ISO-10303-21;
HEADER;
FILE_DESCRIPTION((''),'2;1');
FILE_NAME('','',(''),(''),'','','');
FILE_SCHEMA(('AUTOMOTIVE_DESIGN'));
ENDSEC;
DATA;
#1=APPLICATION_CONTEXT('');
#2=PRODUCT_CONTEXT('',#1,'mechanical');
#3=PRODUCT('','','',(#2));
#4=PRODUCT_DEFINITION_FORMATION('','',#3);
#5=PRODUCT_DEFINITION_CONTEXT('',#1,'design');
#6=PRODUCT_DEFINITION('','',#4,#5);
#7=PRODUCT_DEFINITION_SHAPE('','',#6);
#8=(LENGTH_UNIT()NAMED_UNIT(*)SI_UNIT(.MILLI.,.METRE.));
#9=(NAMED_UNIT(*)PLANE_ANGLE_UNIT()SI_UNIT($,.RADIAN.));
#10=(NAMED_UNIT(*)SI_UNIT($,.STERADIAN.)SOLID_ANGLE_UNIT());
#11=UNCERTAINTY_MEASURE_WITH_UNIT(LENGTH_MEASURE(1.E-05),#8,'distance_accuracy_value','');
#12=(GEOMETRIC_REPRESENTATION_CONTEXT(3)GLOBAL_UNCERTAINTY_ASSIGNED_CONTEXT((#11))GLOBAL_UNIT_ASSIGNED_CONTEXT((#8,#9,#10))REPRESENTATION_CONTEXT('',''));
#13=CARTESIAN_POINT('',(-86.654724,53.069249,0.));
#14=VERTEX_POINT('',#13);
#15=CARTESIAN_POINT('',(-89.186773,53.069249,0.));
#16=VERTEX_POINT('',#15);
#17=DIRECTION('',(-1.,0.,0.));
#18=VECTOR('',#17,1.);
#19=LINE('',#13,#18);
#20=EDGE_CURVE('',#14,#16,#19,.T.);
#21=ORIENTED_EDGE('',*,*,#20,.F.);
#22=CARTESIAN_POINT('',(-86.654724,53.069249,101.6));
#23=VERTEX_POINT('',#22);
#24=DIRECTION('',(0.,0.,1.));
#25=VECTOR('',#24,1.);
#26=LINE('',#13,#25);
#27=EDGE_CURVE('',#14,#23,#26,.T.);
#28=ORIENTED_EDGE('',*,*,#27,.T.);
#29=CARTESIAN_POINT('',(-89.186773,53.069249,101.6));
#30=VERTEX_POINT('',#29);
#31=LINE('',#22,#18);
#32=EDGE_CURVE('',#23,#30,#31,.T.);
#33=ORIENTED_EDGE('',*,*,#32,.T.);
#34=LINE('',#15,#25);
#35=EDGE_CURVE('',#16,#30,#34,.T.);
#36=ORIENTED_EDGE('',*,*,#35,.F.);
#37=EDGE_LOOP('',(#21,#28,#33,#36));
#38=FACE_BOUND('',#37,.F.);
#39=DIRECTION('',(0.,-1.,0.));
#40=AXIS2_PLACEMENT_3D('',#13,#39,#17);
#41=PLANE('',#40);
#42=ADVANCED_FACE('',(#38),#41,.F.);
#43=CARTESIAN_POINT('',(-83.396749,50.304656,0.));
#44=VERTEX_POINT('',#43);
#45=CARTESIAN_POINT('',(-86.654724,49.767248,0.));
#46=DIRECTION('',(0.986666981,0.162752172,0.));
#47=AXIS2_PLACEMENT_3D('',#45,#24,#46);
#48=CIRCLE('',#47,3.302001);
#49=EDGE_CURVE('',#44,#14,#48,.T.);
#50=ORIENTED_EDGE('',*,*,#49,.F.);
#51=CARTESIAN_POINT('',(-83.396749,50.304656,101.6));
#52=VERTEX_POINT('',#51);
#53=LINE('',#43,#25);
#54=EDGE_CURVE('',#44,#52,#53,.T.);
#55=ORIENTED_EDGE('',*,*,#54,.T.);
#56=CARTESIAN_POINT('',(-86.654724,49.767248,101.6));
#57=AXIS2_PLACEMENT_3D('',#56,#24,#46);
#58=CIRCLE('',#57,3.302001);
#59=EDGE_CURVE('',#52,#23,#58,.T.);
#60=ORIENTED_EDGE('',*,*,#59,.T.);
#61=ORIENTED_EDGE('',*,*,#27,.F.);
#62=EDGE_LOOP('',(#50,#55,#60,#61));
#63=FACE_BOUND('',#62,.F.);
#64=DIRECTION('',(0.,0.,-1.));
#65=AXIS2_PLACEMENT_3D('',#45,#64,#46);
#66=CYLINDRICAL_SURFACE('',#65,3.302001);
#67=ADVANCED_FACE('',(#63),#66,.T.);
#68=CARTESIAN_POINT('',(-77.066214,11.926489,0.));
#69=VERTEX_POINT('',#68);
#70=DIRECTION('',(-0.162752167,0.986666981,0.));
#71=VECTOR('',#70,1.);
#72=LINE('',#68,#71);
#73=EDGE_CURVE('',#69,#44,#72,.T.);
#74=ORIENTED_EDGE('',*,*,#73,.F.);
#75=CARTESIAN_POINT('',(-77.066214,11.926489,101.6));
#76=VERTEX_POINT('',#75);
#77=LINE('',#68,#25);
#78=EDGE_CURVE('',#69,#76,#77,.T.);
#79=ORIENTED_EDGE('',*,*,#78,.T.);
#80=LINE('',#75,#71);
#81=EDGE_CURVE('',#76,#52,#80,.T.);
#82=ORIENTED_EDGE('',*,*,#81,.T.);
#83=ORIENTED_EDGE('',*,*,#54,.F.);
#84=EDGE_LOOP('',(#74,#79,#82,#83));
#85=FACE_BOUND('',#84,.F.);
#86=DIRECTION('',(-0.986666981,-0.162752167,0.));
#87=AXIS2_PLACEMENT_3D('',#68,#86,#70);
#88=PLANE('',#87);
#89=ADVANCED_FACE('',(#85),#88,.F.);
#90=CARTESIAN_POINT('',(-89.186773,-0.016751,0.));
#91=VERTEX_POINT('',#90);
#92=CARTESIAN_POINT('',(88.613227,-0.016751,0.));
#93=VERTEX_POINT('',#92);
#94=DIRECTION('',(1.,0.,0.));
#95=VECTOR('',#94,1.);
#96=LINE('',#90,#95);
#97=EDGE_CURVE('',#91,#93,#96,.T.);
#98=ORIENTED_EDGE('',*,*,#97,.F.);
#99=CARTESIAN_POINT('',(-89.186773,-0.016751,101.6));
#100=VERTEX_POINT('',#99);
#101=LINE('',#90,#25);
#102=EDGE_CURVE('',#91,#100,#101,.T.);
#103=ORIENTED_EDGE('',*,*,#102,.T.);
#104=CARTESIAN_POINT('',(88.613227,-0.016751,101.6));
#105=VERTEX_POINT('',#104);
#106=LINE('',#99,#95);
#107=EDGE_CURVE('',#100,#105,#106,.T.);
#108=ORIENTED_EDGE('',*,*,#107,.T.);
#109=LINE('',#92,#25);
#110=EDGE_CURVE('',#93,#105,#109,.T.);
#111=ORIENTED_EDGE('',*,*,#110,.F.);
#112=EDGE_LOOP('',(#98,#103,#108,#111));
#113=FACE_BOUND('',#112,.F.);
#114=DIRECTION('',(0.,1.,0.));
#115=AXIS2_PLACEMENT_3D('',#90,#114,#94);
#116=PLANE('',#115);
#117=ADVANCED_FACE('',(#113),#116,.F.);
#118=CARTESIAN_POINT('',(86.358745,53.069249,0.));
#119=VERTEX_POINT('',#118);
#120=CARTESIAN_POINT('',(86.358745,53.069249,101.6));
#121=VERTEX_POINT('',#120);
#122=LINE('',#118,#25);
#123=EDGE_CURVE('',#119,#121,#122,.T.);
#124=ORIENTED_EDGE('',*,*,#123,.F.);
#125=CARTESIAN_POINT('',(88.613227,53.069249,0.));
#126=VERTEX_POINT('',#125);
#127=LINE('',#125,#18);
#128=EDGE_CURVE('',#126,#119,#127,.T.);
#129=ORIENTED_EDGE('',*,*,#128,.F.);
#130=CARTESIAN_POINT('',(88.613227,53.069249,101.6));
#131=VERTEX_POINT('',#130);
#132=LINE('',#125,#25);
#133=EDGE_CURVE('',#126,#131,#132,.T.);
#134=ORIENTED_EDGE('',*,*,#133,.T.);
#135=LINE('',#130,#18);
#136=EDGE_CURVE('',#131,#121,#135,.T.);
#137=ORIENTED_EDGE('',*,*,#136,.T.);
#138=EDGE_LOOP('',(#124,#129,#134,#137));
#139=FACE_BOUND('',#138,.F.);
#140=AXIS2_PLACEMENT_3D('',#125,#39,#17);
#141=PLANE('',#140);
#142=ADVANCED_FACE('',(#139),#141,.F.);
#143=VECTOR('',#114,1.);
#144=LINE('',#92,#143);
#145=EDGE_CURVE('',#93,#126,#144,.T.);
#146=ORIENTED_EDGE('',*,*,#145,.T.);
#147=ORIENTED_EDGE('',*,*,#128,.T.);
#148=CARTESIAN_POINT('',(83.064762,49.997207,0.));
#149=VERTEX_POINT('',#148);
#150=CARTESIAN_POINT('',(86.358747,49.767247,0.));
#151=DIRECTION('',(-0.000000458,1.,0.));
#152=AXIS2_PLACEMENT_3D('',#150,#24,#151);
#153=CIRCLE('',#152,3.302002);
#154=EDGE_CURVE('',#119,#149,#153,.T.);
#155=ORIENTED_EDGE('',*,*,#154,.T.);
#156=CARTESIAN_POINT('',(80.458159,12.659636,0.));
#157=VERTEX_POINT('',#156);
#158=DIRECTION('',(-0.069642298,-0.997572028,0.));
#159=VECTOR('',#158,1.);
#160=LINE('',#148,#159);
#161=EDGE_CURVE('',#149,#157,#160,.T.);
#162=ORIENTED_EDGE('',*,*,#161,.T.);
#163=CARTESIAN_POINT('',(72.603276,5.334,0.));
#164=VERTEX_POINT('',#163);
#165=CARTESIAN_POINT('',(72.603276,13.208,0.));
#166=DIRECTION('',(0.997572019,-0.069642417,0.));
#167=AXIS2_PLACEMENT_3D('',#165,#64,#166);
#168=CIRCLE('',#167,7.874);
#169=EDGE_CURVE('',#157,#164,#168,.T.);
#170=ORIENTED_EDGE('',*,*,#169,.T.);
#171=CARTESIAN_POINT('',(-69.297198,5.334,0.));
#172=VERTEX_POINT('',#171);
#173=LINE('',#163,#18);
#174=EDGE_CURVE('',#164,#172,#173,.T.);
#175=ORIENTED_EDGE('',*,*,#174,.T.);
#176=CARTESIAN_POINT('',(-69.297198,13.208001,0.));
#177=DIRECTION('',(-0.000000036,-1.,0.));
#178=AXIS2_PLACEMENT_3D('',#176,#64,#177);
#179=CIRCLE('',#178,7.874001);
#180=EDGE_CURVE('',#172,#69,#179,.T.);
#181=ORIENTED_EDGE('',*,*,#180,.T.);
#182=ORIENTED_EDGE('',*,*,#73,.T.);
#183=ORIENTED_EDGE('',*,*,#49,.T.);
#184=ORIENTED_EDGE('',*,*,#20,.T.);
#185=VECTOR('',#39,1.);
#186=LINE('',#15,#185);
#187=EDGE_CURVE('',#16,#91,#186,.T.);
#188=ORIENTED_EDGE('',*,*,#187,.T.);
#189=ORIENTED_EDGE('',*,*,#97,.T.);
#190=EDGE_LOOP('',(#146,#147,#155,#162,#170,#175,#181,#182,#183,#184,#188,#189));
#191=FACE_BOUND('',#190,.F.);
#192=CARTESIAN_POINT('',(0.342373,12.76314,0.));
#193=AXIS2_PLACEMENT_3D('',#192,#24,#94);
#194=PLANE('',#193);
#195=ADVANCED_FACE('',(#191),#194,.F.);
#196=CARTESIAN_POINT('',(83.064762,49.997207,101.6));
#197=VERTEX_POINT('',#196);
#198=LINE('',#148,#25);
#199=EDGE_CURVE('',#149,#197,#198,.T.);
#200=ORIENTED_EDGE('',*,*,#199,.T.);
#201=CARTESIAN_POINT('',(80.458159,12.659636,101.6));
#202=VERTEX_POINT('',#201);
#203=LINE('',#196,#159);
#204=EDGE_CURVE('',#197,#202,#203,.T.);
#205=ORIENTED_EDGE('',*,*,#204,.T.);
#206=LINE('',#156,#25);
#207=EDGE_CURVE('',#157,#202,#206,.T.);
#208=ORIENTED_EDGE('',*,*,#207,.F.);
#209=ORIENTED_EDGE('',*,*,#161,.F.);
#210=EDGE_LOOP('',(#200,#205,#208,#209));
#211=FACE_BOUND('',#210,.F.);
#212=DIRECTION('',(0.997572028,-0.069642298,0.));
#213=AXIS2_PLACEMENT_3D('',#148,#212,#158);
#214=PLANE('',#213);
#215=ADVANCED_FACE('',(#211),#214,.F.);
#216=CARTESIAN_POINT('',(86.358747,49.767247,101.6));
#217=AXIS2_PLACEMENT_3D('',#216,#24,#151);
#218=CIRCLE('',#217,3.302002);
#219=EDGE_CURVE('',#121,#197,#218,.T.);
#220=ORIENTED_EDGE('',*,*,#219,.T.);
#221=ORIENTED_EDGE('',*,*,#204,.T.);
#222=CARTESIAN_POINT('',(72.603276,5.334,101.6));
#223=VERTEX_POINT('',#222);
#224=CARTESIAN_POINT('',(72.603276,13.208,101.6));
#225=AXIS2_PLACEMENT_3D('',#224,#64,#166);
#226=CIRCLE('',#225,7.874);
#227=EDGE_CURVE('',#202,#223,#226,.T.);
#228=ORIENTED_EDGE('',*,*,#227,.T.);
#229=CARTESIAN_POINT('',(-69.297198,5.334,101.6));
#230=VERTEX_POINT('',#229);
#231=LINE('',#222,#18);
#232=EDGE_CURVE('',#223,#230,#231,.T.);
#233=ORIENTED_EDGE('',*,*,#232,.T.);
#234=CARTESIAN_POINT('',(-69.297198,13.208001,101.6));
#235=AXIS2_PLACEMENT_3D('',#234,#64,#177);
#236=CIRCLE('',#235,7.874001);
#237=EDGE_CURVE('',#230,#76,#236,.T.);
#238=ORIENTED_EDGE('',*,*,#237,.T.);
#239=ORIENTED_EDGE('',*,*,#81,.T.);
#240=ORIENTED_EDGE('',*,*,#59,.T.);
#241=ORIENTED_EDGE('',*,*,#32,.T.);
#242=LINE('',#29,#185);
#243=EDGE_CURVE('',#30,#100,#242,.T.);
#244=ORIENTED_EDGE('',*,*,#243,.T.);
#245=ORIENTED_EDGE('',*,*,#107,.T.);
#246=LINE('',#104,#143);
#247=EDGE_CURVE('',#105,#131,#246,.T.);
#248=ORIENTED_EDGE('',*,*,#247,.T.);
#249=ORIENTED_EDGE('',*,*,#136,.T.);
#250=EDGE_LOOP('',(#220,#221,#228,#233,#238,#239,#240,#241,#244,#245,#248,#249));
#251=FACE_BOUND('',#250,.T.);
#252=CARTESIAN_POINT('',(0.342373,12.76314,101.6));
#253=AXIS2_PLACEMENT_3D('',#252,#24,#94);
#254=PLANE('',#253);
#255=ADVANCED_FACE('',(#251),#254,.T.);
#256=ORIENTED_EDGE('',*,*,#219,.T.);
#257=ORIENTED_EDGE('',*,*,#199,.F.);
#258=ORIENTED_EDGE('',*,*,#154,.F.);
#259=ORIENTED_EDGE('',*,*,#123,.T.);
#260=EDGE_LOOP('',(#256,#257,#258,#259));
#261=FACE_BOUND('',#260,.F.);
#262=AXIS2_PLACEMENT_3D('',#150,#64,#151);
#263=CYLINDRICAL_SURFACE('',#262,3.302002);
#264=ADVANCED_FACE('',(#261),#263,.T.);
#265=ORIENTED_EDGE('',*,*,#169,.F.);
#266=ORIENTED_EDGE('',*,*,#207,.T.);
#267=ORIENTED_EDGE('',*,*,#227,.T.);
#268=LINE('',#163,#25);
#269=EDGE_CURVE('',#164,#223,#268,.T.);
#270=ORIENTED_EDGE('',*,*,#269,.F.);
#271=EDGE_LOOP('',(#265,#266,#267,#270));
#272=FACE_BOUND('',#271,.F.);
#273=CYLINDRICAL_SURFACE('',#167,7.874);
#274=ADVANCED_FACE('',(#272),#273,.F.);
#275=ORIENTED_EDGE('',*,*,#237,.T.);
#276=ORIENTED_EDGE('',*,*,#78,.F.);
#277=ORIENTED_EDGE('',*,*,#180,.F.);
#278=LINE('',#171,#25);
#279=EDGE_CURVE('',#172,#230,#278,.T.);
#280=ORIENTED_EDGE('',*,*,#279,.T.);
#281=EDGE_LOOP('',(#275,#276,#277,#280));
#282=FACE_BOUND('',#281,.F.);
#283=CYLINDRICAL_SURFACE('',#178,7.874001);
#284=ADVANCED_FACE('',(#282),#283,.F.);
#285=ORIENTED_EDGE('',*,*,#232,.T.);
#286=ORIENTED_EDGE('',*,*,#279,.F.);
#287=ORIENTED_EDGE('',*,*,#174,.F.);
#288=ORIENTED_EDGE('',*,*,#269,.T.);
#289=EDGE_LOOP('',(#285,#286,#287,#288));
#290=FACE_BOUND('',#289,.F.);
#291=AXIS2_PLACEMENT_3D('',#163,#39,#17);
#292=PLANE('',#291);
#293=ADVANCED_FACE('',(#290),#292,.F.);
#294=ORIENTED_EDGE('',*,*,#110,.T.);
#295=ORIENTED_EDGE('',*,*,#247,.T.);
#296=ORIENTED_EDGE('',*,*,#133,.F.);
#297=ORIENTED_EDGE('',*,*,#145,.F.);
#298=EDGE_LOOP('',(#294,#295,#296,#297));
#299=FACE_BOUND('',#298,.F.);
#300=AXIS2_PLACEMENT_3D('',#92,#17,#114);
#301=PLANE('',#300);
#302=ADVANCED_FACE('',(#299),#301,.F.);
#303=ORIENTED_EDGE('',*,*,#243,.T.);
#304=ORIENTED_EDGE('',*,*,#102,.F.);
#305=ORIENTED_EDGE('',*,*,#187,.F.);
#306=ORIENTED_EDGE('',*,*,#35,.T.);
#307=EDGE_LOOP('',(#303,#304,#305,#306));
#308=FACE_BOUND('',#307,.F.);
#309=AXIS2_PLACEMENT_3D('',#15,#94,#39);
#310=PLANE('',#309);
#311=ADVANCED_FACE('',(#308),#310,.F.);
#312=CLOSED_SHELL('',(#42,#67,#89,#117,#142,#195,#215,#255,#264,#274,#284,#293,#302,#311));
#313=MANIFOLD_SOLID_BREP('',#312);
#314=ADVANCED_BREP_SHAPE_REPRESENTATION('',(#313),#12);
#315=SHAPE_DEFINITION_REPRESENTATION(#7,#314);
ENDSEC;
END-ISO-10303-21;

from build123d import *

# Parameters (mm, degrees)
F1_DEPTH = 101.6


with BuildPart() as f1:
    # F0 (on Top) → F1 (new body)
    with BuildSketch(Plane.XY):
        with BuildLine():
            Line((-89.186773, -0.016751), (88.613227, -0.016751))
            Line((88.613227, -0.016751), (88.613227, 53.069249))
            Line((88.613227, 53.069249), (86.358745, 53.069249))
            ThreePointArc((86.358745, 53.069249), (84.106649, 52.18205), (83.064762, 49.997207))
            Line((83.064762, 49.997207), (80.458159, 12.659636))
            ThreePointArc((80.458159, 12.659636), (77.973661, 7.449628), (72.603276, 5.334))
            Line((72.603276, 5.334), (-69.297198, 5.334))
            ThreePointArc((-69.297198, 5.334), (-74.391767, 7.204231), (-77.066214, 11.926489))
            Line((-77.066214, 11.926489), (-83.396749, 50.304656))
            ThreePointArc((-83.396749, 50.304656), (-84.518291, 52.284958), (-86.654724, 53.069249))
            Line((-86.654724, 53.069249), (-89.186773, 53.069249))
            Line((-89.186773, 53.069249), (-89.186773, -0.016751))
        make_face()
    extrude(amount=F1_DEPTH)


solid = f1.part
